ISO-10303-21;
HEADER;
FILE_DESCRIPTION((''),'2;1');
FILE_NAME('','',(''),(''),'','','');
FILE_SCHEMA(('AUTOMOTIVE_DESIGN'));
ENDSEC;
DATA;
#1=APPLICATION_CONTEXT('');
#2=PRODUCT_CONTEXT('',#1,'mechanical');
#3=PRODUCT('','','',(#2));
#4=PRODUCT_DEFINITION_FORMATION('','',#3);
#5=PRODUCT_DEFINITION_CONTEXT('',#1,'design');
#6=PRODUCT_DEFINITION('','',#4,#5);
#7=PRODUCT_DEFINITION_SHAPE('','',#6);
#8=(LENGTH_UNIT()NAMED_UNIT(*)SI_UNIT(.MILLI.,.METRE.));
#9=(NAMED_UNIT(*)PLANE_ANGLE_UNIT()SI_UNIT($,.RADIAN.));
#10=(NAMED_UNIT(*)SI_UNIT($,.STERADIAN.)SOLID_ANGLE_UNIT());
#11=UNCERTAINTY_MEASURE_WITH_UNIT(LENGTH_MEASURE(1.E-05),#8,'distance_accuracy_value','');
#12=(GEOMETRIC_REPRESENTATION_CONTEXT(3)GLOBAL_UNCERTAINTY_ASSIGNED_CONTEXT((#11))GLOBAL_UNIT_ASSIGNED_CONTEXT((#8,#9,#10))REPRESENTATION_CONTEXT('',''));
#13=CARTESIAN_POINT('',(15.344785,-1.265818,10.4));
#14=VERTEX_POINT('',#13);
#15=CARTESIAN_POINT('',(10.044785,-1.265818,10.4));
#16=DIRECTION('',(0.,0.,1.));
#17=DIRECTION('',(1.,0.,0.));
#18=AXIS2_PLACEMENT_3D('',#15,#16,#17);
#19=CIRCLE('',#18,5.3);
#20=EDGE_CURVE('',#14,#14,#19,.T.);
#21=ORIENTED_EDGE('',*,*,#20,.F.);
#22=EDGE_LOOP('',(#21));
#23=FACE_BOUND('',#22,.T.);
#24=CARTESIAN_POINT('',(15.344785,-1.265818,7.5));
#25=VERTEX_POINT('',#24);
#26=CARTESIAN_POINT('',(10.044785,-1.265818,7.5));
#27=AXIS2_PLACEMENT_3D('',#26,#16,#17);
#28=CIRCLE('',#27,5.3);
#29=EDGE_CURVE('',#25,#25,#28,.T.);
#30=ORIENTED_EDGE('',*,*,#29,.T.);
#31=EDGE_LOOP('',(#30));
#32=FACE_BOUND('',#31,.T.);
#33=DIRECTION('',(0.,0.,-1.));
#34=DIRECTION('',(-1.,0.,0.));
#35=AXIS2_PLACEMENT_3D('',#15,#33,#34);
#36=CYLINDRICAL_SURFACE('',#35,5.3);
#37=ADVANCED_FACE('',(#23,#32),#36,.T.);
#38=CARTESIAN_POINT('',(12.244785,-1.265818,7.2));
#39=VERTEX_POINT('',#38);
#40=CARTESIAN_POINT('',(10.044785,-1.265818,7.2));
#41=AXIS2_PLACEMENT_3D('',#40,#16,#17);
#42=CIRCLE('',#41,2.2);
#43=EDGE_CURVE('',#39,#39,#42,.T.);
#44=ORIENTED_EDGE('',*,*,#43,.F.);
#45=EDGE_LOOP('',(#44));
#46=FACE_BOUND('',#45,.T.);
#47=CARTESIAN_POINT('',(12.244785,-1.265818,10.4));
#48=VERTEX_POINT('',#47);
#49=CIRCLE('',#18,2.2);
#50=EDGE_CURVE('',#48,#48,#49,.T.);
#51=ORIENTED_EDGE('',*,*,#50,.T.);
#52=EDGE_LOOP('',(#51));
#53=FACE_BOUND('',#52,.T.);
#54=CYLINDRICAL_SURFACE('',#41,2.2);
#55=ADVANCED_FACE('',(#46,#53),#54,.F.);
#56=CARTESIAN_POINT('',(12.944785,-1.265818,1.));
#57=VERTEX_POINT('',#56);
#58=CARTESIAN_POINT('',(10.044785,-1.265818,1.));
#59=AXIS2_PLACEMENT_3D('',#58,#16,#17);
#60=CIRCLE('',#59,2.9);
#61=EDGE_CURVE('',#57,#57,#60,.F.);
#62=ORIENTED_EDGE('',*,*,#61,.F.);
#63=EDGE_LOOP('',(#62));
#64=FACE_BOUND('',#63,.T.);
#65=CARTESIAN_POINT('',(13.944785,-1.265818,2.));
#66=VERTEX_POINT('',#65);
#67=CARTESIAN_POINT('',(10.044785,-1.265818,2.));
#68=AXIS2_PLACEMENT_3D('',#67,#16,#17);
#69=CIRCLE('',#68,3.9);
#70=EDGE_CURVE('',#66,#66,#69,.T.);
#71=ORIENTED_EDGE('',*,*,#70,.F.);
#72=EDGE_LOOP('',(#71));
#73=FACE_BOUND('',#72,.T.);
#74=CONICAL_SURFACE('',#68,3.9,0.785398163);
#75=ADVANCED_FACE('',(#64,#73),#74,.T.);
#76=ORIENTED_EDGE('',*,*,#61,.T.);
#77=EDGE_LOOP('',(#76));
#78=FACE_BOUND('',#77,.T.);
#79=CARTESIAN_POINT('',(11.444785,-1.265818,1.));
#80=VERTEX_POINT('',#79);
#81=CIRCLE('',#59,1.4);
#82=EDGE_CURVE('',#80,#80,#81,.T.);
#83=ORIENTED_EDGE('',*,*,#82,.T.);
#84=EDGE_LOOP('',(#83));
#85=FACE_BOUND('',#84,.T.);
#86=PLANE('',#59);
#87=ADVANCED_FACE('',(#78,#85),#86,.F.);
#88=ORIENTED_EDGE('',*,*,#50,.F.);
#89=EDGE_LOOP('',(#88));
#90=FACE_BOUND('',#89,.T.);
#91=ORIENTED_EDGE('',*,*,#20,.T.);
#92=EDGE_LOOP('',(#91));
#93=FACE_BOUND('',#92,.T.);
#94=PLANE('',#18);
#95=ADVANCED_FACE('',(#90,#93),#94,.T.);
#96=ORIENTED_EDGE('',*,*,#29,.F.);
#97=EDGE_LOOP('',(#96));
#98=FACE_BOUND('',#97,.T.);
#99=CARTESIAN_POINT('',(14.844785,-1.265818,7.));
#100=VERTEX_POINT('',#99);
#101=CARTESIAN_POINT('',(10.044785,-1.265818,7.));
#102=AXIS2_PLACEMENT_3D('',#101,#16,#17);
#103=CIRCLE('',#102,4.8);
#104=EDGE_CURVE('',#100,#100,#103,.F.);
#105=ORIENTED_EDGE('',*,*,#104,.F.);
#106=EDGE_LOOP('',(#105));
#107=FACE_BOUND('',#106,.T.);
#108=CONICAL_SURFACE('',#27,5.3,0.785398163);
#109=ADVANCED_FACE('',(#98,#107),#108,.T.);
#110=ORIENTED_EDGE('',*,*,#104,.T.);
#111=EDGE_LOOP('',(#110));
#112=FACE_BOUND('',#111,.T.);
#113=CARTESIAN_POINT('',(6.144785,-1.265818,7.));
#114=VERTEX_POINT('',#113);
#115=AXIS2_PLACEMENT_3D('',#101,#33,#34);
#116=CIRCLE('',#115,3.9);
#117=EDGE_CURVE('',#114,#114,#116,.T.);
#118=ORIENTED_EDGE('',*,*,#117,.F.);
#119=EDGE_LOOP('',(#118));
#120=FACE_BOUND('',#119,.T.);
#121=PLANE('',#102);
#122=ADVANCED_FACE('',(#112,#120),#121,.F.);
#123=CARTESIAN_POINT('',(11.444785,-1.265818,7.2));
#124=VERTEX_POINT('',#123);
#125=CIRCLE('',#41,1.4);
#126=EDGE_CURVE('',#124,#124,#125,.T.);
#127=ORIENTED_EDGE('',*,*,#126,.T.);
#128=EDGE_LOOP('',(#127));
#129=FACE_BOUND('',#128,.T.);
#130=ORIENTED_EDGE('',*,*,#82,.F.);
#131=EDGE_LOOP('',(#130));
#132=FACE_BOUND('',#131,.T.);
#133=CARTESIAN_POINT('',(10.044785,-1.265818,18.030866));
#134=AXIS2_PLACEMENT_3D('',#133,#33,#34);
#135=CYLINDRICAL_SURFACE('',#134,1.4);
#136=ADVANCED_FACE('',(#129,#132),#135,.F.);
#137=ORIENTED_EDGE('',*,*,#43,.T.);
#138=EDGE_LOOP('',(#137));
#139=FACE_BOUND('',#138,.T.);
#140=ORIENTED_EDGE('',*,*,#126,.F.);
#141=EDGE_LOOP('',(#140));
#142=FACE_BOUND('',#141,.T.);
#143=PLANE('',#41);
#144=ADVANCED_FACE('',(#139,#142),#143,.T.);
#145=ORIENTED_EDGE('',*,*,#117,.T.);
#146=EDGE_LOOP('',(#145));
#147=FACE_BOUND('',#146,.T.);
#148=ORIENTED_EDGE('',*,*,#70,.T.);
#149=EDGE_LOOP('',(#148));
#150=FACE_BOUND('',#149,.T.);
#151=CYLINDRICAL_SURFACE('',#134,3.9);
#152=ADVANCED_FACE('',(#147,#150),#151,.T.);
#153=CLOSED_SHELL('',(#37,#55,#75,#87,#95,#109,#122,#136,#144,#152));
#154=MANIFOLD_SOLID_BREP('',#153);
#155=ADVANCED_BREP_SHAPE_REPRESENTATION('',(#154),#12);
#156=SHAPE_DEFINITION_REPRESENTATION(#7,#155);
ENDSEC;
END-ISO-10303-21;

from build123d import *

# Parameters (mm, degrees)
BOSS_EXTRUDE1_START = 1
SKETCH1_R           = 3.9
SKETCH1_R_2         = 1.4
BOSS_EXTRUDE1_DEPTH = 6
SKETCH2_R           = 5.3
SKETCH2_R_2         = 1.4
BOSS_EXTRUDE2_DEPTH = 3.4
CHAMFER1_SIZE       = 0.5
SKETCH3_R           = 2.2
CUT_EXTRUDE1_DEPTH  = 3.2
CHAMFER2_SIZE       = 1


with BuildPart() as part:
    # Sketch1 → Boss-Extrude1 (new body)
    with BuildSketch(Plane.XY.offset(BOSS_EXTRUDE1_START)):
        with Locations(Location((10.044784941, -1.265818107, 0), (0, 0, 180))):
            Circle(SKETCH1_R)
        with Locations(Location((10.044784941, -1.265818107, 0), (0, 0, 180))):
            Circle(SKETCH1_R_2, mode=Mode.SUBTRACT)
    extrude(amount=BOSS_EXTRUDE1_DEPTH)

    # Sketch2 → Boss-Extrude2 (add)
    with BuildSketch(Plane.XY.offset(7)):
        with Locations((10.044784941, -1.265818107)):
            Circle(SKETCH2_R)
        with Locations((10.044784941, -1.265818107)):
            Circle(SKETCH2_R_2, mode=Mode.SUBTRACT)
    extrude(amount=BOSS_EXTRUDE2_DEPTH)

    # Chamfer1
    chamfer1_edges = [part.edges().sort_by_distance(p)[0] for p in [
        (4.744784941, -1.265818107, 7),
    ]]
    chamfer(chamfer1_edges, length=CHAMFER1_SIZE)

    # Sketch3 → Cut-Extrude1 (cut)
    with BuildSketch(Plane.XY.offset(10.4)):
        with Locations((10.044784941, -1.265818107)):
            Circle(SKETCH3_R)
    extrude(amount=-CUT_EXTRUDE1_DEPTH, mode=Mode.SUBTRACT)

    # Chamfer2
    chamfer2_edges = [part.edges().sort_by_distance(p)[0] for p in [
        (13.944784941, -1.265818107, 1),
    ]]
    chamfer(chamfer2_edges, length=CHAMFER2_SIZE)


solid = part.part
